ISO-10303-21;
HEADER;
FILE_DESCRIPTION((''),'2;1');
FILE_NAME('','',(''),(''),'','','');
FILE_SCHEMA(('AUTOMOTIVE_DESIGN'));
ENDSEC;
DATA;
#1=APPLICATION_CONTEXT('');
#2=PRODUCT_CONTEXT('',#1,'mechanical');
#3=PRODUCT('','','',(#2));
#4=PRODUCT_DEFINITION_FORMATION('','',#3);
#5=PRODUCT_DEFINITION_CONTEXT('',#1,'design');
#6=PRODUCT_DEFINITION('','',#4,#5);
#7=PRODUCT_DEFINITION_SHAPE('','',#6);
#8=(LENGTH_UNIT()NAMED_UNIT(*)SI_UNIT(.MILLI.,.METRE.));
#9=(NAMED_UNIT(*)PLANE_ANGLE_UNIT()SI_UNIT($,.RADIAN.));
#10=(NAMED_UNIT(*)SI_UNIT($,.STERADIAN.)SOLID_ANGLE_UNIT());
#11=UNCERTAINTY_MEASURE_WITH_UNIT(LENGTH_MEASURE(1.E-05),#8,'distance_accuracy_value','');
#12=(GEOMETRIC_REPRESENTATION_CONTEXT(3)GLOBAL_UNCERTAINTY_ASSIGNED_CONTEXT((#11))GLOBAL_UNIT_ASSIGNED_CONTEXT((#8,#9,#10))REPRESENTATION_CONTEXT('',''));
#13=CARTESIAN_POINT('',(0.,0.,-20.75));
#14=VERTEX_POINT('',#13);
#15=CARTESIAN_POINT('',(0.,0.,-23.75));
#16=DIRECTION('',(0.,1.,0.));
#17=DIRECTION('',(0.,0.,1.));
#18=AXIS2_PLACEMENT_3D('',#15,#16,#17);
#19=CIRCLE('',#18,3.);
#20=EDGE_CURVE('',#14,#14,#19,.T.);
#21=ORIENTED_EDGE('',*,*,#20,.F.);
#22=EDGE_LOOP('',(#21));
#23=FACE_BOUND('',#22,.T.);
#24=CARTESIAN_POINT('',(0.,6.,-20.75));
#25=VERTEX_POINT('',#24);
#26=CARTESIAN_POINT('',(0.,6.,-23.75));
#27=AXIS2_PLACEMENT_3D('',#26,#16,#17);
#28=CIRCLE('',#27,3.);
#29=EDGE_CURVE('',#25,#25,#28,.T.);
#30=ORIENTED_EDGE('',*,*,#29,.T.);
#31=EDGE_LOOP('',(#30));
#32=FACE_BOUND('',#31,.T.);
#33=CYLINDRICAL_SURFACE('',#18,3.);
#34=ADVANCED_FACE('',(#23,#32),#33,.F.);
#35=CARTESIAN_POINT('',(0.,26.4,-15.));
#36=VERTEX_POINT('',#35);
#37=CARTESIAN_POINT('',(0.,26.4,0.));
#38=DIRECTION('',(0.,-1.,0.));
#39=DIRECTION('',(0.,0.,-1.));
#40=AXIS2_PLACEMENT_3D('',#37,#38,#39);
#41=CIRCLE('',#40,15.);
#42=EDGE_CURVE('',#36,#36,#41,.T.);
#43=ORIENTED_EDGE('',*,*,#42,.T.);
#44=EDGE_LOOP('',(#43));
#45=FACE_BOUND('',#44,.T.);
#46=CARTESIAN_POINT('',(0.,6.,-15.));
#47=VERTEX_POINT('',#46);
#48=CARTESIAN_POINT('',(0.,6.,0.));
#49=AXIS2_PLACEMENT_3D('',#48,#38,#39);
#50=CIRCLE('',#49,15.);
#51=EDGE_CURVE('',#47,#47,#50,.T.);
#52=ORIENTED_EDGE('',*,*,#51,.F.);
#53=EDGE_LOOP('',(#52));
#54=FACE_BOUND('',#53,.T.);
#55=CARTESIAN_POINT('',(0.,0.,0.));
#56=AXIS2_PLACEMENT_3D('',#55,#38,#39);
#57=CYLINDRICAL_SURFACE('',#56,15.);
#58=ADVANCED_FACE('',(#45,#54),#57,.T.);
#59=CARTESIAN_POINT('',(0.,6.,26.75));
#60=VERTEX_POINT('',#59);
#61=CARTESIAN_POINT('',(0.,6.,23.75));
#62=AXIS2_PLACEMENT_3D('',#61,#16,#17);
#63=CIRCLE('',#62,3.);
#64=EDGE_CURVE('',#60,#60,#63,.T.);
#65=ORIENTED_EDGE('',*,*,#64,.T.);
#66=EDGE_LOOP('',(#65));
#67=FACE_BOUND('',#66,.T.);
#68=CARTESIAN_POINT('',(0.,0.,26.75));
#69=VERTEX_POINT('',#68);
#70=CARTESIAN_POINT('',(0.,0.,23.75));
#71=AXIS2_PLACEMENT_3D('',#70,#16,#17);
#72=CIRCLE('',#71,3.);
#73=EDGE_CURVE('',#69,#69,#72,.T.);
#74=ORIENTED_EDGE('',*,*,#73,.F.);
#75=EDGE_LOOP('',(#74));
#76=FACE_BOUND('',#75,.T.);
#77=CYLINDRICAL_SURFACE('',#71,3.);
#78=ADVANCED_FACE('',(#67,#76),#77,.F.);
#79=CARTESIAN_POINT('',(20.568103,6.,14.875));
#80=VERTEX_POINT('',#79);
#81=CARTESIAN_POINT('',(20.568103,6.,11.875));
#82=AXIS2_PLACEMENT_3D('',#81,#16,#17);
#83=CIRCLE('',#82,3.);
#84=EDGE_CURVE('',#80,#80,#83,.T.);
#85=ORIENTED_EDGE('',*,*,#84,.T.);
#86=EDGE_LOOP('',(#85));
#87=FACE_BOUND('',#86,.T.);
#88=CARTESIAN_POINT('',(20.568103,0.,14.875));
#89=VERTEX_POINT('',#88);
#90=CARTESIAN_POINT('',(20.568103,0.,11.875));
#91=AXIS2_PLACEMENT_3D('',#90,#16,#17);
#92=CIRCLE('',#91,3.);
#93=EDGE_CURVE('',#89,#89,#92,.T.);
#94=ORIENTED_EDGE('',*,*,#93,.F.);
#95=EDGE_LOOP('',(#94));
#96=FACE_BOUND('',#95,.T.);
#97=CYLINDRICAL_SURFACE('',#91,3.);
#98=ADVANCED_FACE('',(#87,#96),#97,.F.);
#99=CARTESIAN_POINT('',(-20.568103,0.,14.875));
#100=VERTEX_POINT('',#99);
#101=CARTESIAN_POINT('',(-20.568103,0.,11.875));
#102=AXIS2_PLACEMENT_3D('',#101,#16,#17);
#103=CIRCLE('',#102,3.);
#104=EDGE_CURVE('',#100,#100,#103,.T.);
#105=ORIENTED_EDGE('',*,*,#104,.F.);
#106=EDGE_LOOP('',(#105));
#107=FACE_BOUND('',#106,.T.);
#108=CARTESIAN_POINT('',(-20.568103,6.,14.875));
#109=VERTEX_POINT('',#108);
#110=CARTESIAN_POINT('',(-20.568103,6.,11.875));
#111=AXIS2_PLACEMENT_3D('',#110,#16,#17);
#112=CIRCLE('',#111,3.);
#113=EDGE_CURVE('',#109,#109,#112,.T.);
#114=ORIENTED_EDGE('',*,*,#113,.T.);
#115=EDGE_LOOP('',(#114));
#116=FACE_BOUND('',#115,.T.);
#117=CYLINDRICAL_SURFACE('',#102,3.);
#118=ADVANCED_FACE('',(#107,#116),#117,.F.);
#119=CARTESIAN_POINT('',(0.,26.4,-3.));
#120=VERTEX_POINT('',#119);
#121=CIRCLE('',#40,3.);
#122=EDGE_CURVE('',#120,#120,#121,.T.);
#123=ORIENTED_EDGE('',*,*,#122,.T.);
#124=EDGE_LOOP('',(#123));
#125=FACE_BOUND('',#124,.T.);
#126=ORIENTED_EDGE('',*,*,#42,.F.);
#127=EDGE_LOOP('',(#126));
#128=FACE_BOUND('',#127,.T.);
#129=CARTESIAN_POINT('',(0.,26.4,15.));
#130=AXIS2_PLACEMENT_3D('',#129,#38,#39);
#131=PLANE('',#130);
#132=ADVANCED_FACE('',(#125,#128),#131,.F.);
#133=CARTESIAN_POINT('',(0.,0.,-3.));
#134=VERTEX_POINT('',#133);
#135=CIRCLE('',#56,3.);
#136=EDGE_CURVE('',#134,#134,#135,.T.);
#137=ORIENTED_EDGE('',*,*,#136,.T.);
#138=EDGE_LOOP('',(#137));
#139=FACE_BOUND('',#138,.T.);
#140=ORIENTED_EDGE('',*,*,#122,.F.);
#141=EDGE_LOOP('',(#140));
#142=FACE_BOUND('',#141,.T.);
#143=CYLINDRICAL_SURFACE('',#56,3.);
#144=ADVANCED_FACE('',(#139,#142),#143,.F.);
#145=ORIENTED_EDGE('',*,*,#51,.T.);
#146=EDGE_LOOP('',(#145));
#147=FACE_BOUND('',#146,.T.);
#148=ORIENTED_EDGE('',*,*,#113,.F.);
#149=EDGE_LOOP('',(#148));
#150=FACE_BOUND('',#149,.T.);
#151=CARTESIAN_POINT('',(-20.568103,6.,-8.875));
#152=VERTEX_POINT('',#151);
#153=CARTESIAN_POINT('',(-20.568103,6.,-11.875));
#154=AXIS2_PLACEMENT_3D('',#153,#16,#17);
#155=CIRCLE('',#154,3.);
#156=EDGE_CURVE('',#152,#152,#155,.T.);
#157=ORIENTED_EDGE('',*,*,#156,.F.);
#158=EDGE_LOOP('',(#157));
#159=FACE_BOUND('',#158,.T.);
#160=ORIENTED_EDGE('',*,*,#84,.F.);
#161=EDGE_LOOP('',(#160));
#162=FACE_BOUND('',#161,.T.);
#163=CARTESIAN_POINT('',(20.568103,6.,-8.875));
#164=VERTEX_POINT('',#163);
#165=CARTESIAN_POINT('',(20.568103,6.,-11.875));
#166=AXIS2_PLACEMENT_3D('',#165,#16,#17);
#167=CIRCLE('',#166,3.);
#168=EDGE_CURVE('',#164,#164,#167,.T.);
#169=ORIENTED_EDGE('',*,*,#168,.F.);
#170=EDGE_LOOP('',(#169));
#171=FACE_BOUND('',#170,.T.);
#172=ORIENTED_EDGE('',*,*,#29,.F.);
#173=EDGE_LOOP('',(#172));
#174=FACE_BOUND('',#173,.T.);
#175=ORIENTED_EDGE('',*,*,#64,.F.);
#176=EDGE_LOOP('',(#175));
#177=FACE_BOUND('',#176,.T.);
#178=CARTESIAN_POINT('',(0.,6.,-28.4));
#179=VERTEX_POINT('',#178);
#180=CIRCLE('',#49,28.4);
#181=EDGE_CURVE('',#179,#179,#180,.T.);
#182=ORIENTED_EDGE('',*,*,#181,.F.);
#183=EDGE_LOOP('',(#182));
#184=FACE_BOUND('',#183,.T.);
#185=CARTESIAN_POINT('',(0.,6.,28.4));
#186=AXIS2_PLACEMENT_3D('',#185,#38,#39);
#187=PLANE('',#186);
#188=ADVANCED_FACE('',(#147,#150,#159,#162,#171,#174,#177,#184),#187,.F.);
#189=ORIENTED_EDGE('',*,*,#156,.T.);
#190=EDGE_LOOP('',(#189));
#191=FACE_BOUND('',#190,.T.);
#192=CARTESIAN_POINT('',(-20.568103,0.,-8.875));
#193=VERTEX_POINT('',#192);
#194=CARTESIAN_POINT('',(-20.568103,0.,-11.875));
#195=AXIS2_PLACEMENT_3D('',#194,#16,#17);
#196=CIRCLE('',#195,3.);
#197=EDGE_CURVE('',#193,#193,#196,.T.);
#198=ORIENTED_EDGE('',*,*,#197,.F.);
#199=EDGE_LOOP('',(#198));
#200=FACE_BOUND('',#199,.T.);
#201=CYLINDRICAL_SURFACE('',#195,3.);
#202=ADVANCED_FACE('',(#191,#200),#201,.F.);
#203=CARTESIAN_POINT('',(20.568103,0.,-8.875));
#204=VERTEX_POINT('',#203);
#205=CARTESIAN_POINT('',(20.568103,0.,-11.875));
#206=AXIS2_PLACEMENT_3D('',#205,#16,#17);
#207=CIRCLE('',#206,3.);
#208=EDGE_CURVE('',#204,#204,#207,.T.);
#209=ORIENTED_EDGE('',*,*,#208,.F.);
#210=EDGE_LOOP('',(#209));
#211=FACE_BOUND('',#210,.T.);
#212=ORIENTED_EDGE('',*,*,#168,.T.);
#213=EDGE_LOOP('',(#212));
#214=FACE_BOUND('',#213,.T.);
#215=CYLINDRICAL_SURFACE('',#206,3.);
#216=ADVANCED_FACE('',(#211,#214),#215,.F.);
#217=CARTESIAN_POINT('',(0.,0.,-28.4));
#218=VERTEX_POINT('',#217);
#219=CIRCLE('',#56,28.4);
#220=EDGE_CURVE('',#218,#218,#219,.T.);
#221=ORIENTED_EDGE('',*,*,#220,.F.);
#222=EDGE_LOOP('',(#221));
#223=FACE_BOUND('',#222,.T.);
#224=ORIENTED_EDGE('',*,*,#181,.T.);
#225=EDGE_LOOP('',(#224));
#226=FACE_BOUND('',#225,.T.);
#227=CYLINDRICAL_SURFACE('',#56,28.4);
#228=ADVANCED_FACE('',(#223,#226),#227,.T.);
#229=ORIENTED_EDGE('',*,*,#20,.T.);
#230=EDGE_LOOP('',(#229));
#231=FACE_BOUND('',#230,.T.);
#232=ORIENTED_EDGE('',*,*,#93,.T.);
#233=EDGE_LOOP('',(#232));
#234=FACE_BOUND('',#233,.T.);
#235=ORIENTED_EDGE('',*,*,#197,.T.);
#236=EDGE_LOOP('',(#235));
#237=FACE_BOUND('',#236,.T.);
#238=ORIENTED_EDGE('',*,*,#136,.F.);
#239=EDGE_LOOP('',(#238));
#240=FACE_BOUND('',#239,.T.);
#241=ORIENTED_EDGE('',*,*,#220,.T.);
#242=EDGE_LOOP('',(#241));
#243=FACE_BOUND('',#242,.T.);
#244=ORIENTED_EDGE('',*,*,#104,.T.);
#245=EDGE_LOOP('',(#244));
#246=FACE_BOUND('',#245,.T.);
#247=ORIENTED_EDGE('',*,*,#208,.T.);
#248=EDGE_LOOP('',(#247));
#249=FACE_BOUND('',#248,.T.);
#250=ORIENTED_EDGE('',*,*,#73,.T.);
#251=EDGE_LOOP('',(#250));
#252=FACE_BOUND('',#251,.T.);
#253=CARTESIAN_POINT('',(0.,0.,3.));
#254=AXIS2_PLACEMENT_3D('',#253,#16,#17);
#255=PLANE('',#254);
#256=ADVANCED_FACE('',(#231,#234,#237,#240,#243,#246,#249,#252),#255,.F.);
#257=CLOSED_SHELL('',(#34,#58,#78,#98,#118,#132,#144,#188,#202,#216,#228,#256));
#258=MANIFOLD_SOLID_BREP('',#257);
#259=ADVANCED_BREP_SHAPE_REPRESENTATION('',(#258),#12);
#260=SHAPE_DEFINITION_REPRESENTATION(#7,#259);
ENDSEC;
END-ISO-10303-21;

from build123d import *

# Parameters (mm, degrees)
SKETCH2_R          = 3
CUT_EXTRUDE1_DEPTH = 46.047530454


with BuildPart() as part:
    # Sketch1 → Revolve1 (revolve)
    with BuildSketch(Plane(origin=(0, 0, 0), x_dir=(0, 0, -1), z_dir=(1, 0, 0)), mode=Mode.PRIVATE) as revolve1_sk:
        Polygon((-3, 0), (-28.4, 0), (-28.4, 6), (-15, 6), (-15, 26.4), (-3, 26.4), align=None)
    revolve(revolve1_sk.sketch.rotate(Axis((0, 0, 0), (0, 1, 0)), 180), axis=Axis((0, 0, 0), (0, 1, 0)))

    # Sketch2 → Cut-Extrude1 (cut, through all)
    with BuildSketch(Plane(origin=(0, 6, 0), x_dir=(1, 0, 0), z_dir=(0, 1, 0))):
        with Locations(Location((0, 23.75, 0), (0, 0, 270))):
            Circle(SKETCH2_R)
        with Locations(Location((20.56810334, 11.875, 0), (0, 0, 270))):
            Circle(SKETCH2_R)
        with Locations(Location((20.56810334, -11.875, 0), (0, 0, 270))):
            Circle(SKETCH2_R)
        with Locations(Location((0, -23.75, 0), (0, 0, 270))):
            Circle(SKETCH2_R)
        with Locations(Location((-20.56810334, -11.875, 0), (0, 0, 270))):
            Circle(SKETCH2_R)
        with Locations(Location((-20.56810334, 11.875, 0), (0, 0, 270))):
            Circle(SKETCH2_R)
    extrude(amount=-CUT_EXTRUDE1_DEPTH, mode=Mode.SUBTRACT)


solid = part.part
